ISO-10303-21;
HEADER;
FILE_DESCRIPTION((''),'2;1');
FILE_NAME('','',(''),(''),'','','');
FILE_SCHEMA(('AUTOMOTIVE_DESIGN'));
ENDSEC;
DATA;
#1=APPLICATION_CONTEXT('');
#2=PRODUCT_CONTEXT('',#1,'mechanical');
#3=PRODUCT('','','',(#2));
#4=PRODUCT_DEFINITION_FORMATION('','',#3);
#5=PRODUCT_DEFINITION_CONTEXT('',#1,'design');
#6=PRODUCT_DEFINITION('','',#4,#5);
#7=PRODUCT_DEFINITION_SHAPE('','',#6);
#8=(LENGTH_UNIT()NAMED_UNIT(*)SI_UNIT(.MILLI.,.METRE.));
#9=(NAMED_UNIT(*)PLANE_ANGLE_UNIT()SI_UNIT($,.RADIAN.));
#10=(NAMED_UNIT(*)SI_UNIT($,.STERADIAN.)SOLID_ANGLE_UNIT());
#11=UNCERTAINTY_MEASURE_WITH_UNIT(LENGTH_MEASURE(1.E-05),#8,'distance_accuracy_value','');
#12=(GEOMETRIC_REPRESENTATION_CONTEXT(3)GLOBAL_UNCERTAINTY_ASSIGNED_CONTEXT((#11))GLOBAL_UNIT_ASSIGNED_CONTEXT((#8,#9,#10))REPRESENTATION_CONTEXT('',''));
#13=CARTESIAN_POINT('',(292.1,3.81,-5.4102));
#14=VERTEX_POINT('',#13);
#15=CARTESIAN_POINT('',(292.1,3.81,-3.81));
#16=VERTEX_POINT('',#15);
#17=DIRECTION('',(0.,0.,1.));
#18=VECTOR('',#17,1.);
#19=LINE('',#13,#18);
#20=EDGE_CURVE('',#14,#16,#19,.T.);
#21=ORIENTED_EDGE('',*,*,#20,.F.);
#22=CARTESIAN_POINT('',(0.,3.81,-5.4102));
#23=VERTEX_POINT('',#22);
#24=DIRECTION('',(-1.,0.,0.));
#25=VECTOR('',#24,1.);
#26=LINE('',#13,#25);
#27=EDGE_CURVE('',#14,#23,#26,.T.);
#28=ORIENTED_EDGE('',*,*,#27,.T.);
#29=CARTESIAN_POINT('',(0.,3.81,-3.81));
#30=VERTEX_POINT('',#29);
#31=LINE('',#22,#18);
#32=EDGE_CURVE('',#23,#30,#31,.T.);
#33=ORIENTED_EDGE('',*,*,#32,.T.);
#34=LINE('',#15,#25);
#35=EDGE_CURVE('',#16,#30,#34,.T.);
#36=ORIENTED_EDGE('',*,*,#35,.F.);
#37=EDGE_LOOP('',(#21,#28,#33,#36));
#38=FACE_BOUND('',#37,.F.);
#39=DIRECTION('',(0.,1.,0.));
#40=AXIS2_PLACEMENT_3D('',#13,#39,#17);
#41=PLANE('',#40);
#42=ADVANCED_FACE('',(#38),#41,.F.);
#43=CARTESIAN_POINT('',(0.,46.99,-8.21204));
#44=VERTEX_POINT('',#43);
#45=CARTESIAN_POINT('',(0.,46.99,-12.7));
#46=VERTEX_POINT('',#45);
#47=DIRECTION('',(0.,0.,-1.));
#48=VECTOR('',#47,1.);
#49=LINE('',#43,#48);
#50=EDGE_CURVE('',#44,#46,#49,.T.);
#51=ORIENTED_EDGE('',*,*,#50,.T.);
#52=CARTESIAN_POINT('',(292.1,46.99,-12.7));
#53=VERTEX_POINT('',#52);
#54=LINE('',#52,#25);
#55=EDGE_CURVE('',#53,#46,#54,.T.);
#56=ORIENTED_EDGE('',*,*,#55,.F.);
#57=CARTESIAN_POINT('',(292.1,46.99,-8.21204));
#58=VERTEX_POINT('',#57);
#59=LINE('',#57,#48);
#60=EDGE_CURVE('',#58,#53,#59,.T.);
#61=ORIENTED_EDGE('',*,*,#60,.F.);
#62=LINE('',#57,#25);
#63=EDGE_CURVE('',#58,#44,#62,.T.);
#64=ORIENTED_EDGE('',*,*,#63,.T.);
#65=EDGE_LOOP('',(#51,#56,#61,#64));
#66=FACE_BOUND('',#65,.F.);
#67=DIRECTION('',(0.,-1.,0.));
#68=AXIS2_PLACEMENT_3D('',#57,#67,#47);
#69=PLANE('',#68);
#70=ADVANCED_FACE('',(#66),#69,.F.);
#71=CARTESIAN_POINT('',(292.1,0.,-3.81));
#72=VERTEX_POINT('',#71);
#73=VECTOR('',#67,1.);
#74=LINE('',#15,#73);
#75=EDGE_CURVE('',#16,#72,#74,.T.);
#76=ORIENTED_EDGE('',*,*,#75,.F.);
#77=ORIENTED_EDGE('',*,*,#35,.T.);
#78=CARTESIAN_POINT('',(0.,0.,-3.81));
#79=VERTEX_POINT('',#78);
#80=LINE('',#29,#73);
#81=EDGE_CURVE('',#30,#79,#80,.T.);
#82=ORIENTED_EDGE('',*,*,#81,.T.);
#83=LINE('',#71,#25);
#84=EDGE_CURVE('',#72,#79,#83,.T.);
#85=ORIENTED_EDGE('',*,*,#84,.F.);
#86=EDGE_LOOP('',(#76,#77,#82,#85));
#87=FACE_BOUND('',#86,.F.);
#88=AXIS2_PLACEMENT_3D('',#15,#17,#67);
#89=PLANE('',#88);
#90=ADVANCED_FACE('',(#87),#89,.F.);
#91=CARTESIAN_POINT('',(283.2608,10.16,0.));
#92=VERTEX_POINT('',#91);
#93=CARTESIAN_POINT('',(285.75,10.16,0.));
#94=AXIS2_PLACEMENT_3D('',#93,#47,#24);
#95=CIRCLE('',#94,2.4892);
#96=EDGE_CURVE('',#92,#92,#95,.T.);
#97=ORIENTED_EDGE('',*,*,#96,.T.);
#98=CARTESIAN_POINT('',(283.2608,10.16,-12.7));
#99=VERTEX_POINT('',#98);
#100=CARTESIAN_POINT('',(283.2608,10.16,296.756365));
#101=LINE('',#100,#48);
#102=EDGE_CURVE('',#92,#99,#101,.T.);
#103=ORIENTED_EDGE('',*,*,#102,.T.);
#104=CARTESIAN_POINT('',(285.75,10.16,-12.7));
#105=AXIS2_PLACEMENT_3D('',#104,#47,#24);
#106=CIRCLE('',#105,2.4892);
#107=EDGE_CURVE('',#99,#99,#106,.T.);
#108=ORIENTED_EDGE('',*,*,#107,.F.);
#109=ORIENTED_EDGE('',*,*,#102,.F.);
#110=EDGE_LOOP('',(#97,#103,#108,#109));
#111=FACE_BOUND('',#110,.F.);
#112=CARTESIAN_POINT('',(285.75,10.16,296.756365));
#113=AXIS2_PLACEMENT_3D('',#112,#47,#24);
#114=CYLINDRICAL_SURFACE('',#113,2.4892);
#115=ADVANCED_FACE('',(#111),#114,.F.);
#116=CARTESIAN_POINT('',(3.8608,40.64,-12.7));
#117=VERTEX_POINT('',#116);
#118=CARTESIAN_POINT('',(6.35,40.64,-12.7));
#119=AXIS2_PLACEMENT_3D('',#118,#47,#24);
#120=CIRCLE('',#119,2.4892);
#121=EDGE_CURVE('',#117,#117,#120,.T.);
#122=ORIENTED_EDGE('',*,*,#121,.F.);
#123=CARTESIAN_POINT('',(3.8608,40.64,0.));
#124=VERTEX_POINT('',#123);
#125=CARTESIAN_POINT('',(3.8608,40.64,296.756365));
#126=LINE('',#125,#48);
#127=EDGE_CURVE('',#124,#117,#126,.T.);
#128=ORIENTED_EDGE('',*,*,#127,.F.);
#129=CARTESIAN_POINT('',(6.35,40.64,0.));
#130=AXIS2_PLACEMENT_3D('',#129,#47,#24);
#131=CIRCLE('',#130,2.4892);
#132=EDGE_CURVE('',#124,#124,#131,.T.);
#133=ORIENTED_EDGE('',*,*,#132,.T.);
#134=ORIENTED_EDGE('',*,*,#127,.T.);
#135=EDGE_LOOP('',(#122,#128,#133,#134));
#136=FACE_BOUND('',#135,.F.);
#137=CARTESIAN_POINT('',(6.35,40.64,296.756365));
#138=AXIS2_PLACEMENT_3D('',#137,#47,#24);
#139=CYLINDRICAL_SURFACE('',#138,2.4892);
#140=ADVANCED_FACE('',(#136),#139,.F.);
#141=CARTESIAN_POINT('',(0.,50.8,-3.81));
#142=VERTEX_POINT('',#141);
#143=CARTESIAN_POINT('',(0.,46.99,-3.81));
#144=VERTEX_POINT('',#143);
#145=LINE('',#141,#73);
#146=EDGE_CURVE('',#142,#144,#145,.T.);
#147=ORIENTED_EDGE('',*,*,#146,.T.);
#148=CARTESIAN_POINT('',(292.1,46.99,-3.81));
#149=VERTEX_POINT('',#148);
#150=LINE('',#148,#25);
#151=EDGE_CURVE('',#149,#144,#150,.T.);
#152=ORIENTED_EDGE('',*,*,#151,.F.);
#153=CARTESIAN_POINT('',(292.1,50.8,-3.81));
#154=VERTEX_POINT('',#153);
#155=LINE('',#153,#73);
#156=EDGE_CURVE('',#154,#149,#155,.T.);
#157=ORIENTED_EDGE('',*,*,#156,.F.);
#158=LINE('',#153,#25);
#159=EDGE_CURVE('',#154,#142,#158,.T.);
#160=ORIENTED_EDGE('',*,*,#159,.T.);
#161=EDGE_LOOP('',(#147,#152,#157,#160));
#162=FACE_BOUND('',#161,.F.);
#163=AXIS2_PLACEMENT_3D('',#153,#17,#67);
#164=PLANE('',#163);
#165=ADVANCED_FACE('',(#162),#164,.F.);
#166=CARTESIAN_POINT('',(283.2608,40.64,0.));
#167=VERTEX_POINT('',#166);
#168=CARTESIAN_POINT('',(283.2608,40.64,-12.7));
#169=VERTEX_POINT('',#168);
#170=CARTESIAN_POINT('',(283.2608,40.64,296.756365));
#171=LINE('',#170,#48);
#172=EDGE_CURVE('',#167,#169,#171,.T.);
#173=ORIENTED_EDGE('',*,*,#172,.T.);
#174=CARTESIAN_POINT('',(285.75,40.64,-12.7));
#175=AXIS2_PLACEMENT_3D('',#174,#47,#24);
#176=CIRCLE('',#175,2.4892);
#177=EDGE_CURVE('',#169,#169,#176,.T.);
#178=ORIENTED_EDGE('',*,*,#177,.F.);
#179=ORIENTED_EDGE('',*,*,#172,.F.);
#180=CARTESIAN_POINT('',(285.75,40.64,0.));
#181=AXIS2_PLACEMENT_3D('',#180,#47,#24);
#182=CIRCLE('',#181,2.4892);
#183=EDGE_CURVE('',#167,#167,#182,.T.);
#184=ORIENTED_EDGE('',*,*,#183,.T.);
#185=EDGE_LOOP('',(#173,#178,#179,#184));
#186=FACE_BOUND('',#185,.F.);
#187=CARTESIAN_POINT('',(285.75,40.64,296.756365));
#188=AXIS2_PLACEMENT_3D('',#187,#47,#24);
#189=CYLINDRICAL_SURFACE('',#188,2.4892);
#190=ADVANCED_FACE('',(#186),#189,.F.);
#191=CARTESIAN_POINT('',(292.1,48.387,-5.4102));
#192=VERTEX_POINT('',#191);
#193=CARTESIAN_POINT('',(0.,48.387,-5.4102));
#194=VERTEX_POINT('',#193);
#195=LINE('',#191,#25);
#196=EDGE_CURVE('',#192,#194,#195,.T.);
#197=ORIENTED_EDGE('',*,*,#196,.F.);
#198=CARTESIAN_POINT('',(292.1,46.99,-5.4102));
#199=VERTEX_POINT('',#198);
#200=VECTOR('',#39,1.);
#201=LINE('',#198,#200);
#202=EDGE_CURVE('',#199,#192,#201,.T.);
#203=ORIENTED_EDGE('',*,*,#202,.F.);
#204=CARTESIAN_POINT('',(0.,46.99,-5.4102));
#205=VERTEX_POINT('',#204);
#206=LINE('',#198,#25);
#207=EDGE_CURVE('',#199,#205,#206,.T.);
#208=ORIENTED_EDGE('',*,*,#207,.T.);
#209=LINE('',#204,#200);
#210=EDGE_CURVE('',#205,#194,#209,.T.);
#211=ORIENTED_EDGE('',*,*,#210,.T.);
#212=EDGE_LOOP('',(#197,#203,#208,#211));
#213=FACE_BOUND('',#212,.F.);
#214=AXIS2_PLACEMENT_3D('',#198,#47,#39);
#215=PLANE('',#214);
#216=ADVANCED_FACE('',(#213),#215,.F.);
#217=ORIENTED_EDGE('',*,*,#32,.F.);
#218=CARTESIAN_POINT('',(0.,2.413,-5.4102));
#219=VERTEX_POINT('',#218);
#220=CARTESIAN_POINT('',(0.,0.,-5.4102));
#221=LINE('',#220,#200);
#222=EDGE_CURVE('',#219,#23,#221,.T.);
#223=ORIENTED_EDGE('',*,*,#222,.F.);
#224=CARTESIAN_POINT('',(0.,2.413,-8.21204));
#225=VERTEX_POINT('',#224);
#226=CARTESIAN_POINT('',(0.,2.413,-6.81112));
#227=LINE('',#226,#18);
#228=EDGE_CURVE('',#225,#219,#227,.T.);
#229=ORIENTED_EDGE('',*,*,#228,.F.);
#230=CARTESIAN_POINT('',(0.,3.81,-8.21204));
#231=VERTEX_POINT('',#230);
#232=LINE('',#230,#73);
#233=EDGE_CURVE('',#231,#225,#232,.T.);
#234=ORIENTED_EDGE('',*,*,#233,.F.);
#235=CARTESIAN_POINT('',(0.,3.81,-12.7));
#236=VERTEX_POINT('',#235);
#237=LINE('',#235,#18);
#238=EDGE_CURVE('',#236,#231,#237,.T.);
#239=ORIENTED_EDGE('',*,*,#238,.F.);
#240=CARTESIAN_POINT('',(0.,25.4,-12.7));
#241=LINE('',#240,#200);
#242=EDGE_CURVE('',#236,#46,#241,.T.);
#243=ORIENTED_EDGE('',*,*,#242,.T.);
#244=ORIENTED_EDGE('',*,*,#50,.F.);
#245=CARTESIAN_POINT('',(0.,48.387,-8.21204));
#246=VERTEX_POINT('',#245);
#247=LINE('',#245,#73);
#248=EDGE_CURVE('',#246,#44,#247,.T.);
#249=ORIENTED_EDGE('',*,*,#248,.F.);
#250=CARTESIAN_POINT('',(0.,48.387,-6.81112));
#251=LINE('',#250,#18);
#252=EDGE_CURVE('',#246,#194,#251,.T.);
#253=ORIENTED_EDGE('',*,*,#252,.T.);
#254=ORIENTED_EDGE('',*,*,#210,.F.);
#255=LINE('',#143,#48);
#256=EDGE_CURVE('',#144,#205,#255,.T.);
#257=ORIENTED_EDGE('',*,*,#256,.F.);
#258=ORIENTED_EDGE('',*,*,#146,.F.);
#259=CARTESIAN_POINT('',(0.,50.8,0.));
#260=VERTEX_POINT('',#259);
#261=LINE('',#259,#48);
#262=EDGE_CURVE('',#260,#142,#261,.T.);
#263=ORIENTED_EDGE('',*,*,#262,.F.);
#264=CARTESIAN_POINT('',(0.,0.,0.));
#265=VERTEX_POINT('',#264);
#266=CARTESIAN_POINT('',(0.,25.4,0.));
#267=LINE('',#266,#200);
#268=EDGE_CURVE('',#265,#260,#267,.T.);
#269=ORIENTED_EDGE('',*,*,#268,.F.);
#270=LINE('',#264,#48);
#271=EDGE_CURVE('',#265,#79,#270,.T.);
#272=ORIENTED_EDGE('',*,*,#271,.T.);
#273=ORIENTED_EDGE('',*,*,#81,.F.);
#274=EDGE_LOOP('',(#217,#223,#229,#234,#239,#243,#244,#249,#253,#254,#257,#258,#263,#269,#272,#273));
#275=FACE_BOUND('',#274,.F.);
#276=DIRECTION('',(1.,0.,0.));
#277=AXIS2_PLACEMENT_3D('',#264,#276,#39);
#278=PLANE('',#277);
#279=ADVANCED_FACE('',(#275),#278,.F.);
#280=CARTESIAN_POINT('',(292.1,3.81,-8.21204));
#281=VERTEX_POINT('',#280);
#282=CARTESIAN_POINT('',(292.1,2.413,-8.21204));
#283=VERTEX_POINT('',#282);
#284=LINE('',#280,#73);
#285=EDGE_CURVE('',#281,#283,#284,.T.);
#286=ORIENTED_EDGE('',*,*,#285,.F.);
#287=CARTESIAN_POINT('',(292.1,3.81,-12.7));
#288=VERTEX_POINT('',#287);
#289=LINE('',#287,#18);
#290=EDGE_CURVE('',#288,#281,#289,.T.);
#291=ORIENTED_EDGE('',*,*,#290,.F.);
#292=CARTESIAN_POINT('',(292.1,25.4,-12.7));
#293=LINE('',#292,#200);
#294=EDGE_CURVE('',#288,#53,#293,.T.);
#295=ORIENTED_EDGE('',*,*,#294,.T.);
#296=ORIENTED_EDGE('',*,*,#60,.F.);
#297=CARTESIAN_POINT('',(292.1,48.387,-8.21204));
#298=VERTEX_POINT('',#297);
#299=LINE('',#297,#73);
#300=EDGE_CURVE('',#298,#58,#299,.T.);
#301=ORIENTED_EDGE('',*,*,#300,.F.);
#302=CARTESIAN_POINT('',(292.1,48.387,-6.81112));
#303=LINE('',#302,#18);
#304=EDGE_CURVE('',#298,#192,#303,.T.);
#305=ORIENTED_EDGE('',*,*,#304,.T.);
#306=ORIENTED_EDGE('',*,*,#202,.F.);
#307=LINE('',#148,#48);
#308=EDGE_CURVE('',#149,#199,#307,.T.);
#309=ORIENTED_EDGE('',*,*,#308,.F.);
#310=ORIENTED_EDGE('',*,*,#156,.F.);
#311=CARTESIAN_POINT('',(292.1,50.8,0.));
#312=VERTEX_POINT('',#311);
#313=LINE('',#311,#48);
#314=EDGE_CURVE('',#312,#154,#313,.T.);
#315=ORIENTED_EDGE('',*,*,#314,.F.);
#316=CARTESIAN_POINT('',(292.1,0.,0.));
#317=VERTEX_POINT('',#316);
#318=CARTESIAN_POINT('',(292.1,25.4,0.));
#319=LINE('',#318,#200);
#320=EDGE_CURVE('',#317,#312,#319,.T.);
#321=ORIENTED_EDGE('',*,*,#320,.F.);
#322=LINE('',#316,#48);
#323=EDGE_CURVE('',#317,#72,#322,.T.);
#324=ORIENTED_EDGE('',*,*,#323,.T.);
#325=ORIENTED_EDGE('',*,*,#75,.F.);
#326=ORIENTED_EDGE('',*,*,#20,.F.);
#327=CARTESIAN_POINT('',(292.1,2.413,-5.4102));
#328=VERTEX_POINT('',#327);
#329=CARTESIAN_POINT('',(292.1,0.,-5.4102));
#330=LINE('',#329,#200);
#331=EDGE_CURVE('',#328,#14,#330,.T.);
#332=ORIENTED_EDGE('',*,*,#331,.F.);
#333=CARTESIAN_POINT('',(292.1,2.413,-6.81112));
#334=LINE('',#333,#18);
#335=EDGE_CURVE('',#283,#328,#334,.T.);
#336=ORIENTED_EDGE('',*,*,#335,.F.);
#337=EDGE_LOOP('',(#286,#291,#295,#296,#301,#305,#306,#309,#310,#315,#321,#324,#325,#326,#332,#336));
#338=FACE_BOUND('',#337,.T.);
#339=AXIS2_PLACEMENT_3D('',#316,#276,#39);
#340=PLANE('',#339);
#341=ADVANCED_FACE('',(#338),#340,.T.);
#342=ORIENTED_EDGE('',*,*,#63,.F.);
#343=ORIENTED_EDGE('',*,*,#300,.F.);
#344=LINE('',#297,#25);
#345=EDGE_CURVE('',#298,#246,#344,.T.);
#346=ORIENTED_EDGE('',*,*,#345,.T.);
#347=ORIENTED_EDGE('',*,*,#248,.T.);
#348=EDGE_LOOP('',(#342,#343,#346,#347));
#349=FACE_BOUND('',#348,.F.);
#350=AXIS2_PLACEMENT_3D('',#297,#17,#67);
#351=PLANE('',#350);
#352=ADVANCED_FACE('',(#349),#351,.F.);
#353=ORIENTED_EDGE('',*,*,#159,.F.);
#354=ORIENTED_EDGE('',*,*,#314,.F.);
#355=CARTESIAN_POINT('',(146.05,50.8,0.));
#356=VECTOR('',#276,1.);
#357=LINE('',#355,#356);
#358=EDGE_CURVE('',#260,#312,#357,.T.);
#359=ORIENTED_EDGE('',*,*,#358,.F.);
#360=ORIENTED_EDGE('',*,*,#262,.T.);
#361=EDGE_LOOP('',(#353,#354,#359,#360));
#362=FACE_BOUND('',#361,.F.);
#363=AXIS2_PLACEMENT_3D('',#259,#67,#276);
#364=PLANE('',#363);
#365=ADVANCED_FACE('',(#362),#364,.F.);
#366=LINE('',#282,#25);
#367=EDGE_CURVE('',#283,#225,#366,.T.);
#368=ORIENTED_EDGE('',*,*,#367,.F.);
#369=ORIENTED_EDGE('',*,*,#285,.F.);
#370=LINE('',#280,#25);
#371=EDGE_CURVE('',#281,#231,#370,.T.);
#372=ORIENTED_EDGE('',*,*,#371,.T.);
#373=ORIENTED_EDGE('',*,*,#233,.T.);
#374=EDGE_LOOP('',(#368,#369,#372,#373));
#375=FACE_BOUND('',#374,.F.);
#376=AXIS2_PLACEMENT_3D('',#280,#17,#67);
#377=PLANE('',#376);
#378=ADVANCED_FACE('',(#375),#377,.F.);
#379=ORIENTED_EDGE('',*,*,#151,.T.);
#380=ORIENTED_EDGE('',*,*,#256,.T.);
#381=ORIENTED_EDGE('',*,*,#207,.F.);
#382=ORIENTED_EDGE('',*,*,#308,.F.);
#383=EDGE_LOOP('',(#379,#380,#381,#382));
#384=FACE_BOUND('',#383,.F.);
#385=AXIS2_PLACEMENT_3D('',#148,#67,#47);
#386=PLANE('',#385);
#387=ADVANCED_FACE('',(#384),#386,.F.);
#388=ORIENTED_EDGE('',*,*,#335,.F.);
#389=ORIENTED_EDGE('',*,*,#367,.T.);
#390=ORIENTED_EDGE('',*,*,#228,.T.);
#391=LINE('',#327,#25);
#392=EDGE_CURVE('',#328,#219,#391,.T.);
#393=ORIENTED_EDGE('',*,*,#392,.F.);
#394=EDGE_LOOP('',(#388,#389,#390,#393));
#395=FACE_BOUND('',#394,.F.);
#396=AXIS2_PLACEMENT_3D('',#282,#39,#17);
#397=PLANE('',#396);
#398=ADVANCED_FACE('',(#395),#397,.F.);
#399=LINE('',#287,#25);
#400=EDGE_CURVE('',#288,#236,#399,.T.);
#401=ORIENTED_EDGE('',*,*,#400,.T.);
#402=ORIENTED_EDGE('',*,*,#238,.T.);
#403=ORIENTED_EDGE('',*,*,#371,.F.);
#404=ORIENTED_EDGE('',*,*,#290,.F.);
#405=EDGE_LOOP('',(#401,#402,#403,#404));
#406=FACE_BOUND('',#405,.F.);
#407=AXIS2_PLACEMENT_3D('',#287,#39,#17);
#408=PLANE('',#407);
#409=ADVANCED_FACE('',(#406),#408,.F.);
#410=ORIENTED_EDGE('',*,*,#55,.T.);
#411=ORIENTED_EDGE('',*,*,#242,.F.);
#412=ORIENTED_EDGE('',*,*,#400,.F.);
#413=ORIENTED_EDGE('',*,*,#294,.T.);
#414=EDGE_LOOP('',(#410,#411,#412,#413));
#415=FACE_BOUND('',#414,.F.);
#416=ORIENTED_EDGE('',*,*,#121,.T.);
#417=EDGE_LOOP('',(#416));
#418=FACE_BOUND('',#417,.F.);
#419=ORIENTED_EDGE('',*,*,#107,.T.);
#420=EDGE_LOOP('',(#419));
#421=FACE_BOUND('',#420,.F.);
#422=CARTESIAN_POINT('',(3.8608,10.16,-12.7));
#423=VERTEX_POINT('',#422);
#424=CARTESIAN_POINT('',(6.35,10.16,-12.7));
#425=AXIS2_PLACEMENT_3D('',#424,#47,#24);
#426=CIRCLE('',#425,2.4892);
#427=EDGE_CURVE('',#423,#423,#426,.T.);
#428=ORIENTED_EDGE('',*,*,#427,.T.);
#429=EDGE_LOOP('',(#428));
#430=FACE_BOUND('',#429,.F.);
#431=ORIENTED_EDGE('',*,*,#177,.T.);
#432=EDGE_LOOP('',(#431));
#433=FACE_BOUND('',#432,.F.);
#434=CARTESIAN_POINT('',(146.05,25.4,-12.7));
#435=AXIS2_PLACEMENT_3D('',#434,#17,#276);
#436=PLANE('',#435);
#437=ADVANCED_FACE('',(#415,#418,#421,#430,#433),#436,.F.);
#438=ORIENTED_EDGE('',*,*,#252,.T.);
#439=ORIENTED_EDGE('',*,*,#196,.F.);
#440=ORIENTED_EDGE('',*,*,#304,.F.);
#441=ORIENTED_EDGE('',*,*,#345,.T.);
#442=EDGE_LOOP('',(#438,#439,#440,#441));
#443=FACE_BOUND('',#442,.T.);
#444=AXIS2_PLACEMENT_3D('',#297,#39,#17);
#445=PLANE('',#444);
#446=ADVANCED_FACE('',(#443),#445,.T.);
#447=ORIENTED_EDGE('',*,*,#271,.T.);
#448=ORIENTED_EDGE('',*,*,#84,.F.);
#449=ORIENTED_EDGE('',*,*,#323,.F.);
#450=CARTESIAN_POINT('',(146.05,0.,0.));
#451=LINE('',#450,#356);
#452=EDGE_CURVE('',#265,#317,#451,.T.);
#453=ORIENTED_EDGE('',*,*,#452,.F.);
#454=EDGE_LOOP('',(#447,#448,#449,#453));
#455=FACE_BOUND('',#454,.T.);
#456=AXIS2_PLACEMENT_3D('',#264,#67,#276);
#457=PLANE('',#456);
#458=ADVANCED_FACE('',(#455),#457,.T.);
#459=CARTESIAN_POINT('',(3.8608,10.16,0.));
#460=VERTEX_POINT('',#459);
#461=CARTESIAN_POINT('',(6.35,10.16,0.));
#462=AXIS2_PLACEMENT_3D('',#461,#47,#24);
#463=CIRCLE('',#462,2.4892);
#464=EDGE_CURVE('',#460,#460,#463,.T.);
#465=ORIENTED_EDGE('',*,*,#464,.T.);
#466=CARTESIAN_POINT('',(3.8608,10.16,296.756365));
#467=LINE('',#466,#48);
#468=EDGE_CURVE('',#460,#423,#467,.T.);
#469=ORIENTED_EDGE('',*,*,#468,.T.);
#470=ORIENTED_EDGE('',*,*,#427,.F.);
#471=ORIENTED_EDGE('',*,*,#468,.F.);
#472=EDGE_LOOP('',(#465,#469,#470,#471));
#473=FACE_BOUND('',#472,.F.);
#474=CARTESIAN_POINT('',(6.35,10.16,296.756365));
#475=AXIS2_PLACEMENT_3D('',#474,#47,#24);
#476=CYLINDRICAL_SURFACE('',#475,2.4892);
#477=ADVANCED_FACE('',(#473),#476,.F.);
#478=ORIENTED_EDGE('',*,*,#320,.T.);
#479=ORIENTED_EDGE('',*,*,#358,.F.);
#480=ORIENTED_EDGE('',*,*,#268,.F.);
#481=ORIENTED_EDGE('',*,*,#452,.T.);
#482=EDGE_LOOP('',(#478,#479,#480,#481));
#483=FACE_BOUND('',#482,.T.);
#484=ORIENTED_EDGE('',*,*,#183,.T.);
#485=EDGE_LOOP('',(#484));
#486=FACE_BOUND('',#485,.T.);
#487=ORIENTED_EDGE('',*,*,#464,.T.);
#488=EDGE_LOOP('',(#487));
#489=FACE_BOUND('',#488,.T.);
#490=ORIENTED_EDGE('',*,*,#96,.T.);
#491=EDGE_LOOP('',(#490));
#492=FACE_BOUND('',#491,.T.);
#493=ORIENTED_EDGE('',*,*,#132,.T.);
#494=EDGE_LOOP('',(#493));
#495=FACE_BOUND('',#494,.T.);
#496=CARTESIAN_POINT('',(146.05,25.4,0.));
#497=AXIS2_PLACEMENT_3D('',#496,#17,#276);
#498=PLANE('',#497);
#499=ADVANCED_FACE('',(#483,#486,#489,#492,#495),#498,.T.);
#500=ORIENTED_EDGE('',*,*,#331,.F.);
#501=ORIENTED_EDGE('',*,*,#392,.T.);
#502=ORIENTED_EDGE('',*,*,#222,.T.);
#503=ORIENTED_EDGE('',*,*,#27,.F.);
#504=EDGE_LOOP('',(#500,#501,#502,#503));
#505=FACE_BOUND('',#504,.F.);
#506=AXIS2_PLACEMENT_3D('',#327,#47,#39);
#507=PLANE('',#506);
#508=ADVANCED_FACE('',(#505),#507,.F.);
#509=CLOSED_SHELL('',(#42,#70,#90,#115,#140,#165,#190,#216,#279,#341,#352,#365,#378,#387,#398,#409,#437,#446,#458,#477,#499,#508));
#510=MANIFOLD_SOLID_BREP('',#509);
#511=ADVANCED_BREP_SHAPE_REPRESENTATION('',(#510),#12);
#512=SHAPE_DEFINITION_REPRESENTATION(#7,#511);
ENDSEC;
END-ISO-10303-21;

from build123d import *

# Parameters (mm, degrees)
F0_W     = 292.1
F0_H     = 50.8
F1_DEPTH = 12.7
F6_D     = 4.9784
F7_W     = 2.413
F7_H     = 2.8018399096
F8_DEPTH = 292.1


with BuildPart() as f1:
    # F0 (on Top) → F1 (new body)
    with BuildSketch(Plane.XY):
        with Locations((146.05, 25.4)):
            Rectangle(F0_W, F0_H)
    extrude(amount=-F1_DEPTH)

    # F6 (through all)
    with Locations(Plane.XY):
        with Locations((6.35, 40.64), (285.75, 40.64), (285.75, 10.16), (6.35, 10.16)):
            Hole(F6_D / 2)

    # F7 (on face) → F8 (cut, through all)
    with BuildSketch(Plane.YZ.offset(292.1)):
        Polygon((3.81, -3.81), (0, -3.81), (0, -5.4102), (2.413, -5.4102), (3.81, -5.4102), align=None)
        with Locations((1.2065, -6.8111199548)):
            Rectangle(F7_W, F7_H)
        Polygon((2.413, -8.2120399096), (0, -8.2120399096), (0, -12.7), (3.81, -12.7), (3.81, -8.2120399096), align=None)
        Polygon((50.8, -5.4102), (50.8, -3.81), (46.99, -3.81), (46.99, -5.4102), (48.387, -5.4102), align=None)
        with Locations((49.5935, -6.8111199548)):
            Rectangle(F7_W, F7_H)
        Polygon((46.99, -8.2120399096), (46.99, -12.7), (50.8, -12.7), (50.8, -8.2120399096), (48.387, -8.2120399096), align=None)
    extrude(amount=-F8_DEPTH, mode=Mode.SUBTRACT)


solid = f1.part
